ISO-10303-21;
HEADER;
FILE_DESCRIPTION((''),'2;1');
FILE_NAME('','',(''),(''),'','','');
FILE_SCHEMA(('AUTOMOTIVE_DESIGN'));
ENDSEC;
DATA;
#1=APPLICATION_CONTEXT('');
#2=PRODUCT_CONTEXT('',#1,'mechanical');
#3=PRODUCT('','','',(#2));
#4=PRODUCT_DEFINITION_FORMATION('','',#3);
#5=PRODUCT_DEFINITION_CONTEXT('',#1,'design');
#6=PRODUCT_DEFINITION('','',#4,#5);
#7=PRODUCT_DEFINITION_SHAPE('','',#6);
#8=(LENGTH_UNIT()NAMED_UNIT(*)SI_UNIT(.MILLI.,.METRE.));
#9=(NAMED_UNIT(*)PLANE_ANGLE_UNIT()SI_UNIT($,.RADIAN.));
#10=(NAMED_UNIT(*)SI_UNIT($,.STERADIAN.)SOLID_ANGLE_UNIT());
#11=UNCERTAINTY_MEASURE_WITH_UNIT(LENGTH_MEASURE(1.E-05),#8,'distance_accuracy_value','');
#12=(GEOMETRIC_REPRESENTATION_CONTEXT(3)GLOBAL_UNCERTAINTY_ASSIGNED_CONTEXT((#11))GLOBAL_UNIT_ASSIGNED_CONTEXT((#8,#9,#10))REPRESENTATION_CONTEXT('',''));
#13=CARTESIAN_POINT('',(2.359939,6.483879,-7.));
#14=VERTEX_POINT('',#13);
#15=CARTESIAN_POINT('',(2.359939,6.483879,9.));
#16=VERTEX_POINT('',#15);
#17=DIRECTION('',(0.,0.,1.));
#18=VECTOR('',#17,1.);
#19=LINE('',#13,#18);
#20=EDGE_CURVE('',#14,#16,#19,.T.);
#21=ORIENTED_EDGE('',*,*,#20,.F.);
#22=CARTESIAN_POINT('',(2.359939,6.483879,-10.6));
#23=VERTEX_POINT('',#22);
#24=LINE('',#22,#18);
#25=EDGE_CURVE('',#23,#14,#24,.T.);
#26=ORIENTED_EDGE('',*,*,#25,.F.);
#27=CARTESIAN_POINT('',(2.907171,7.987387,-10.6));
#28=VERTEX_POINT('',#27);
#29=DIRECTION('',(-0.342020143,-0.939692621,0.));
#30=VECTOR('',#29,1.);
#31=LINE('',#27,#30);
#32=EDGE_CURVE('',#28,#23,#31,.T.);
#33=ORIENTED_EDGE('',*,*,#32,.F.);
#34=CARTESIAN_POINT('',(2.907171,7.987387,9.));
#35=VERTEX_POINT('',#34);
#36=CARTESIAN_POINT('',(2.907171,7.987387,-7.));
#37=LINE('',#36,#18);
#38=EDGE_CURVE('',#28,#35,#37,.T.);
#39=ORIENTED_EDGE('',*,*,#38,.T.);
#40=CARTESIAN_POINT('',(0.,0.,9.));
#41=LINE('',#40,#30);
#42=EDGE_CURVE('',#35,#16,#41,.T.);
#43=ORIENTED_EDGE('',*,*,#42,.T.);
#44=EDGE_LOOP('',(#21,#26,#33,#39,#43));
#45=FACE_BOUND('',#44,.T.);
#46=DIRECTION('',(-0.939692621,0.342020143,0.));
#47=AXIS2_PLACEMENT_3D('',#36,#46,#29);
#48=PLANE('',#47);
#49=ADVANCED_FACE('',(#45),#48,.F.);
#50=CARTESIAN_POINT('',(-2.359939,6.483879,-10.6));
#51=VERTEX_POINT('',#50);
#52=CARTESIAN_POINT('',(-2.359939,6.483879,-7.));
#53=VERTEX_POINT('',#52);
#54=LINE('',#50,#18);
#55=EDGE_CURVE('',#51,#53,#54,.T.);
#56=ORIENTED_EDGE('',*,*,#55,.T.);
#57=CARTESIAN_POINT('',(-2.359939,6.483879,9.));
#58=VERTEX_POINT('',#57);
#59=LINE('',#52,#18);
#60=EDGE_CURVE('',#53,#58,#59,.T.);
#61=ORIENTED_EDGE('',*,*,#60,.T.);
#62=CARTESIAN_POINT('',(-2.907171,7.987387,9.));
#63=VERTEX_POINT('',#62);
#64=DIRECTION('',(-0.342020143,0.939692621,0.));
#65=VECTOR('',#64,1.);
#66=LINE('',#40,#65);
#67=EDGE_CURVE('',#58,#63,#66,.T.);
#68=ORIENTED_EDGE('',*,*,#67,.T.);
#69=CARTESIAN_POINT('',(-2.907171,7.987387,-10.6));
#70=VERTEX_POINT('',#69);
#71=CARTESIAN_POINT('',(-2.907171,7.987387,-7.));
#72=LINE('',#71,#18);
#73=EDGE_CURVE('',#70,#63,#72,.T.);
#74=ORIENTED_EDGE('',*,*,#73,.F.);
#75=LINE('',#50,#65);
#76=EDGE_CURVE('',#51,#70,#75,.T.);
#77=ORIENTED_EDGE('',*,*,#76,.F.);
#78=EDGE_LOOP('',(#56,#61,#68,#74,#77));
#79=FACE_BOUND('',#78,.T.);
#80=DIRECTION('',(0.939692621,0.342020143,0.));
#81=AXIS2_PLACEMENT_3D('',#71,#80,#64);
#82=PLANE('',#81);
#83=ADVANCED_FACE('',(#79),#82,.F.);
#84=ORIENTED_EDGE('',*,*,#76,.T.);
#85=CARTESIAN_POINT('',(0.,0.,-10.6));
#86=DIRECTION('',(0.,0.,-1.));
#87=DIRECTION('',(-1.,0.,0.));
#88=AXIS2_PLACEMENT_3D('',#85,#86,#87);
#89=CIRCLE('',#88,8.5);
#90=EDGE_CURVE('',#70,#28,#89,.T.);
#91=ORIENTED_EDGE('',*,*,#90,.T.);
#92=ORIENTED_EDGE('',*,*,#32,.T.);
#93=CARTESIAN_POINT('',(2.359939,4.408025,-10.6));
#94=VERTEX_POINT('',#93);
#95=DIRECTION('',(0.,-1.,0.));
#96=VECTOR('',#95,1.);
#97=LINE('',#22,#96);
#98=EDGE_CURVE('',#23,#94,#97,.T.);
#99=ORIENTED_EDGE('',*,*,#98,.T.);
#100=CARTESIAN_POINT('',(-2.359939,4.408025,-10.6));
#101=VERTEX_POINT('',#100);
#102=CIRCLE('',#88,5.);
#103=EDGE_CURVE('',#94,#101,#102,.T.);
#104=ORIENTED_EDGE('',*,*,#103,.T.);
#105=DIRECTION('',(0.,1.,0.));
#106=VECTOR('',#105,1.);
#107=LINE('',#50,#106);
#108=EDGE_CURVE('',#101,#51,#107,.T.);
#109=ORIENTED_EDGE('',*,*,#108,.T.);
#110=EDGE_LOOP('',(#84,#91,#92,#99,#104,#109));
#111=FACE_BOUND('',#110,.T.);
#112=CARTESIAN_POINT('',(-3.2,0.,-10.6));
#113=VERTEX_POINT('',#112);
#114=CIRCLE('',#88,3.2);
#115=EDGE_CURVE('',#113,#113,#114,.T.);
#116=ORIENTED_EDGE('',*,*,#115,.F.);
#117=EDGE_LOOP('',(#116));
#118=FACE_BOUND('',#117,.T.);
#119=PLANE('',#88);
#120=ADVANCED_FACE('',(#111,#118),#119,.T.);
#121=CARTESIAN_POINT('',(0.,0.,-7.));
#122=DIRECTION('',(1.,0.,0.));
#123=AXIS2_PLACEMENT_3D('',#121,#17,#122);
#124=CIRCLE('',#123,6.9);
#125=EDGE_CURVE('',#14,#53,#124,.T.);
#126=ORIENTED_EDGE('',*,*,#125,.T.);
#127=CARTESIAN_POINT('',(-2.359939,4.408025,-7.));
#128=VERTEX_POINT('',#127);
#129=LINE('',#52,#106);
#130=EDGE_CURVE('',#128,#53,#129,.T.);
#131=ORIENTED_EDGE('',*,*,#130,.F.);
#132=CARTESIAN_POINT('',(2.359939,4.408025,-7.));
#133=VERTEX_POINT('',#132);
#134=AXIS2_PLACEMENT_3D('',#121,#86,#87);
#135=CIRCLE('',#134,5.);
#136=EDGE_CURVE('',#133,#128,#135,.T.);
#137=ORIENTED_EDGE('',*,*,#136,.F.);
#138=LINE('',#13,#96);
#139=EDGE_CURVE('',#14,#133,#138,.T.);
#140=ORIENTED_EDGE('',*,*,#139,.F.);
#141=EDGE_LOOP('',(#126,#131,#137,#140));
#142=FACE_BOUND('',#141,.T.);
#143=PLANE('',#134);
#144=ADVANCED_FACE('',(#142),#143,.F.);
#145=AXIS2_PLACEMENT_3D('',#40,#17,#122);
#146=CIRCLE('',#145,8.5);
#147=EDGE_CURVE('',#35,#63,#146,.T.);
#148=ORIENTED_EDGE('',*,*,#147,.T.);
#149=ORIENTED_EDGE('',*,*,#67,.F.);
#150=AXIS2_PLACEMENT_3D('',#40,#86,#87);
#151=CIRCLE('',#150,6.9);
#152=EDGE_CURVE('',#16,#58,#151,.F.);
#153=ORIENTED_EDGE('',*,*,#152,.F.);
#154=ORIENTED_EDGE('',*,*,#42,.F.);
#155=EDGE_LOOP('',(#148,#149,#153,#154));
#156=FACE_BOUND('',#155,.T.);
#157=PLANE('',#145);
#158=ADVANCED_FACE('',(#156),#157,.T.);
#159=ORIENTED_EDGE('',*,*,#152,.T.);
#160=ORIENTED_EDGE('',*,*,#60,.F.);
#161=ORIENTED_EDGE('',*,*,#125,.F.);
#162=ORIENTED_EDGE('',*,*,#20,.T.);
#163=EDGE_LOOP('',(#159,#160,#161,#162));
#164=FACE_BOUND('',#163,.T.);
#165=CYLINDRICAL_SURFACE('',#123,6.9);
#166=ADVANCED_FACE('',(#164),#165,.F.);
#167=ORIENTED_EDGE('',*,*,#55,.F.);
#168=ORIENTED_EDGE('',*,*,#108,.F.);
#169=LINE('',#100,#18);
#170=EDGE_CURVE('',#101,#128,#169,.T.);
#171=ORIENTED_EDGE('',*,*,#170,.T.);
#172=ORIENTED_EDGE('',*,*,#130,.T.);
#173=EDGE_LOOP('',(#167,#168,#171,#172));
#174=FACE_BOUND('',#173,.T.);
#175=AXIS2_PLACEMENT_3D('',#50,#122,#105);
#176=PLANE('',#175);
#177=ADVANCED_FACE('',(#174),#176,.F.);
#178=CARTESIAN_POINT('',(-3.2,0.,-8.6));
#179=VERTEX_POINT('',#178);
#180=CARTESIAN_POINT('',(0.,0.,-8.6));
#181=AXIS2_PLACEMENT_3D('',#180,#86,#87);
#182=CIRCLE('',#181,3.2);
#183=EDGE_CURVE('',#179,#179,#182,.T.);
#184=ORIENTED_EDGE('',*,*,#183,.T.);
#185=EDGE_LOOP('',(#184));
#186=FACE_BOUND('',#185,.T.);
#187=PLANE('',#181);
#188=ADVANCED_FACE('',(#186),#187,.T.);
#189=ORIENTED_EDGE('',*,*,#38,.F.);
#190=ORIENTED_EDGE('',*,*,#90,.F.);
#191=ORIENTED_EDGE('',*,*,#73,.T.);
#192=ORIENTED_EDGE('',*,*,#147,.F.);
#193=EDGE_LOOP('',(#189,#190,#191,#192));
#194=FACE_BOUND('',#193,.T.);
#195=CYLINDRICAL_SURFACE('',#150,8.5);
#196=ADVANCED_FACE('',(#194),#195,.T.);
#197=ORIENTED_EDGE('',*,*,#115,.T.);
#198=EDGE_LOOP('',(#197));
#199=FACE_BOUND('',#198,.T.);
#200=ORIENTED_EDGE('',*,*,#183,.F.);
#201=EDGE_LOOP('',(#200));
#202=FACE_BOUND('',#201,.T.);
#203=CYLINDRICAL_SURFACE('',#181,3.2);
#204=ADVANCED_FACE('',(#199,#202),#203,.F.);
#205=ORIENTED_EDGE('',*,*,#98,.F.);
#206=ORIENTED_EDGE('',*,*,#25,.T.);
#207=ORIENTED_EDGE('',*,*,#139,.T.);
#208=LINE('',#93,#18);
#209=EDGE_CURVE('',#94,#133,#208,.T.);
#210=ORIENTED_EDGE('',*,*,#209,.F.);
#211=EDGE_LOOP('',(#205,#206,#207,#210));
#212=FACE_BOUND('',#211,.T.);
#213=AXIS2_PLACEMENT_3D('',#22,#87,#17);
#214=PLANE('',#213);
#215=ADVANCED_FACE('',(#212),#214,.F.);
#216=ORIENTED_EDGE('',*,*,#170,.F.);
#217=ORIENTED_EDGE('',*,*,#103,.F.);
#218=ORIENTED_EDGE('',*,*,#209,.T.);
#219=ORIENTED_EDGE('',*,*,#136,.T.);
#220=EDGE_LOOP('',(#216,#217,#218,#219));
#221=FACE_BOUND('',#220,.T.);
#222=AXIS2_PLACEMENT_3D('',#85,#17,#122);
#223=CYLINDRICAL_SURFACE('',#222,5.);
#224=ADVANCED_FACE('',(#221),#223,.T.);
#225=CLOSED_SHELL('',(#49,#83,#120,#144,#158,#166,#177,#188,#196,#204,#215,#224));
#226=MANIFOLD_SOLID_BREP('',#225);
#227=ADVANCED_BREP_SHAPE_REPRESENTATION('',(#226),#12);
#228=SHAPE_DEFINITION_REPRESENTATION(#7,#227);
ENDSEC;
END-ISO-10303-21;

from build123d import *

# Parameters (mm, degrees)
SKETCH_1_R               = 8.5
SKETCH_1_R_2             = 3.6
SKETCH_1_R_3             = 1.25
SKETCH_1_R_4             = 0.6
EXTRUDE_1_DEPTH          = 9
SKETCH_2_R               = 4.3
CUT_EXTRUDE_1_DEPTH      = 0.8
SKETCH_3_R               = 5.9
SKETCH_3_R_2             = 3.6
EXTRUDE_2_DEPTH          = 2.5
SKETCH_5_R               = 4.3
CUT_EXTRUDE_2_DEPTH      = 0.8
EXTRUDE_3_DEPTH          = 7
CUT_EXTRUDE_6_DEPTH      = 1
CUT_EXTRUDE_6_DEPTH_BACK = 17
EXTRUDE_4_DEPTH          = 3.6
SKETCH_8_R               = 3.2
CUT_EXTRUDE_3_DEPTH      = 2


with BuildPart() as part:
    # 스케치1 → 보스-돌출1 (new body)
    with BuildSketch(Plane.XY):
        Circle(SKETCH_1_R)
        Circle(SKETCH_1_R_2, mode=Mode.SUBTRACT)
        with Locations((6.125, 0)):
            Circle(SKETCH_1_R_3, mode=Mode.SUBTRACT)
        with Locations((-6.8, 0)):
            Circle(SKETCH_1_R_4, mode=Mode.SUBTRACT)
    extrude(amount=EXTRUDE_1_DEPTH)

    # 스케치2 → 컷-돌출1 (cut)
    with BuildSketch(Plane.XY.offset(9)):
        Circle(SKETCH_2_R)
    extrude(amount=-CUT_EXTRUDE_1_DEPTH, mode=Mode.SUBTRACT)

    # 스케치3 → 보스-돌출2 (add)
    with BuildSketch(Plane(origin=(0, 0, 0), x_dir=(-1, 0, 0), z_dir=(0, 0, -1))):
        Circle(SKETCH_3_R)
        Circle(SKETCH_3_R_2, mode=Mode.SUBTRACT)
    extrude(amount=EXTRUDE_2_DEPTH)

    # 스케치4 → 컷-회전1 (revolve, cut)
    with BuildSketch(Plane(origin=(0, 0, 0), x_dir=(0, 0, -1), z_dir=(1, 0, 0))):
        Polygon((2.5, 5.9), (0, 5.9), (1.25, 4.6), align=None)
    revolve(axis=Axis((0, 0, 0), (0, 0, -1)), mode=Mode.SUBTRACT)

    # 스케치5 → 컷-돌출2 (cut)
    with BuildSketch(Plane(origin=(0, 0, -2.5), x_dir=(-1, 0, 0), z_dir=(0, 0, -1))):
        Circle(SKETCH_5_R)
    extrude(amount=-CUT_EXTRUDE_2_DEPTH, mode=Mode.SUBTRACT)

    # 스케치6 → 보스-돌출3 (add)
    with BuildSketch(Plane(origin=(0, 0, 0), x_dir=(-1, 0, 0), z_dir=(0, 0, -1))):
        with BuildLine():
            Line((-2.907171218, 7.987387277), (-2.359938989, 6.483879083))
            ThreePointArc((-2.359938989, 6.483879083), (0, 6.9), (2.359938989, 6.483879083))
            Line((2.359938989, 6.483879083), (2.907171218, 7.987387277))
            ThreePointArc((2.907171218, 7.987387277), (0, 8.5), (-2.907171218, 7.987387277))
        make_face()
    extrude(amount=EXTRUDE_3_DEPTH)

    # 스케치10 → 컷-돌출6 (cut, two sides)
    with BuildSketch(Plane(origin=(0, 0, -7), x_dir=(-1, 0, 0), z_dir=(0, 0, -1))) as cut_extrude_6_sk:
        with BuildLine():
            ThreePointArc((-2.907171218, 7.987387277), (0, -8.5), (2.907171218, 7.987387277))
            Line((2.907171218, 7.987387277), (2.359938989, 6.483879083))
            ThreePointArc((2.359938989, 6.483879083), (0, 6.9), (-2.359938989, 6.483879083))
            Line((-2.359938989, 6.483879083), (-2.907171218, 7.987387277))
        make_face()
    extrude(amount=CUT_EXTRUDE_6_DEPTH, mode=Mode.SUBTRACT)
    extrude(cut_extrude_6_sk.sketch, amount=-CUT_EXTRUDE_6_DEPTH_BACK, mode=Mode.SUBTRACT)

    # 스케치7 → 보스-돌출4 (add)
    with BuildSketch(Plane(origin=(0, 0, -7), x_dir=(-1, 0, 0), z_dir=(0, 0, -1))):
        with BuildLine():
            Line((-2.359938989, 6.483879083), (-2.359938989, 4.408025405))
            ThreePointArc((-2.359938989, 4.408025405), (0, -5), (2.359938989, 4.408025405))
            Line((2.359938989, 4.408025405), (2.359938989, 6.483879083))
            Line((2.359938989, 6.483879083), (2.907171218, 7.987387277))
            ThreePointArc((2.907171218, 7.987387277), (0, 8.5), (-2.907171218, 7.987387277))
            Line((-2.907171218, 7.987387277), (-2.359938989, 6.483879083))
        make_face()
    extrude(amount=EXTRUDE_4_DEPTH)

    # 스케치8 → 컷-돌출3 (cut)
    with BuildSketch(Plane(origin=(0, 0, -10.6), x_dir=(-1, 0, 0), z_dir=(0, 0, -1))):
        Circle(SKETCH_8_R)
    extrude(amount=-CUT_EXTRUDE_3_DEPTH, mode=Mode.SUBTRACT)


solid = part.part
